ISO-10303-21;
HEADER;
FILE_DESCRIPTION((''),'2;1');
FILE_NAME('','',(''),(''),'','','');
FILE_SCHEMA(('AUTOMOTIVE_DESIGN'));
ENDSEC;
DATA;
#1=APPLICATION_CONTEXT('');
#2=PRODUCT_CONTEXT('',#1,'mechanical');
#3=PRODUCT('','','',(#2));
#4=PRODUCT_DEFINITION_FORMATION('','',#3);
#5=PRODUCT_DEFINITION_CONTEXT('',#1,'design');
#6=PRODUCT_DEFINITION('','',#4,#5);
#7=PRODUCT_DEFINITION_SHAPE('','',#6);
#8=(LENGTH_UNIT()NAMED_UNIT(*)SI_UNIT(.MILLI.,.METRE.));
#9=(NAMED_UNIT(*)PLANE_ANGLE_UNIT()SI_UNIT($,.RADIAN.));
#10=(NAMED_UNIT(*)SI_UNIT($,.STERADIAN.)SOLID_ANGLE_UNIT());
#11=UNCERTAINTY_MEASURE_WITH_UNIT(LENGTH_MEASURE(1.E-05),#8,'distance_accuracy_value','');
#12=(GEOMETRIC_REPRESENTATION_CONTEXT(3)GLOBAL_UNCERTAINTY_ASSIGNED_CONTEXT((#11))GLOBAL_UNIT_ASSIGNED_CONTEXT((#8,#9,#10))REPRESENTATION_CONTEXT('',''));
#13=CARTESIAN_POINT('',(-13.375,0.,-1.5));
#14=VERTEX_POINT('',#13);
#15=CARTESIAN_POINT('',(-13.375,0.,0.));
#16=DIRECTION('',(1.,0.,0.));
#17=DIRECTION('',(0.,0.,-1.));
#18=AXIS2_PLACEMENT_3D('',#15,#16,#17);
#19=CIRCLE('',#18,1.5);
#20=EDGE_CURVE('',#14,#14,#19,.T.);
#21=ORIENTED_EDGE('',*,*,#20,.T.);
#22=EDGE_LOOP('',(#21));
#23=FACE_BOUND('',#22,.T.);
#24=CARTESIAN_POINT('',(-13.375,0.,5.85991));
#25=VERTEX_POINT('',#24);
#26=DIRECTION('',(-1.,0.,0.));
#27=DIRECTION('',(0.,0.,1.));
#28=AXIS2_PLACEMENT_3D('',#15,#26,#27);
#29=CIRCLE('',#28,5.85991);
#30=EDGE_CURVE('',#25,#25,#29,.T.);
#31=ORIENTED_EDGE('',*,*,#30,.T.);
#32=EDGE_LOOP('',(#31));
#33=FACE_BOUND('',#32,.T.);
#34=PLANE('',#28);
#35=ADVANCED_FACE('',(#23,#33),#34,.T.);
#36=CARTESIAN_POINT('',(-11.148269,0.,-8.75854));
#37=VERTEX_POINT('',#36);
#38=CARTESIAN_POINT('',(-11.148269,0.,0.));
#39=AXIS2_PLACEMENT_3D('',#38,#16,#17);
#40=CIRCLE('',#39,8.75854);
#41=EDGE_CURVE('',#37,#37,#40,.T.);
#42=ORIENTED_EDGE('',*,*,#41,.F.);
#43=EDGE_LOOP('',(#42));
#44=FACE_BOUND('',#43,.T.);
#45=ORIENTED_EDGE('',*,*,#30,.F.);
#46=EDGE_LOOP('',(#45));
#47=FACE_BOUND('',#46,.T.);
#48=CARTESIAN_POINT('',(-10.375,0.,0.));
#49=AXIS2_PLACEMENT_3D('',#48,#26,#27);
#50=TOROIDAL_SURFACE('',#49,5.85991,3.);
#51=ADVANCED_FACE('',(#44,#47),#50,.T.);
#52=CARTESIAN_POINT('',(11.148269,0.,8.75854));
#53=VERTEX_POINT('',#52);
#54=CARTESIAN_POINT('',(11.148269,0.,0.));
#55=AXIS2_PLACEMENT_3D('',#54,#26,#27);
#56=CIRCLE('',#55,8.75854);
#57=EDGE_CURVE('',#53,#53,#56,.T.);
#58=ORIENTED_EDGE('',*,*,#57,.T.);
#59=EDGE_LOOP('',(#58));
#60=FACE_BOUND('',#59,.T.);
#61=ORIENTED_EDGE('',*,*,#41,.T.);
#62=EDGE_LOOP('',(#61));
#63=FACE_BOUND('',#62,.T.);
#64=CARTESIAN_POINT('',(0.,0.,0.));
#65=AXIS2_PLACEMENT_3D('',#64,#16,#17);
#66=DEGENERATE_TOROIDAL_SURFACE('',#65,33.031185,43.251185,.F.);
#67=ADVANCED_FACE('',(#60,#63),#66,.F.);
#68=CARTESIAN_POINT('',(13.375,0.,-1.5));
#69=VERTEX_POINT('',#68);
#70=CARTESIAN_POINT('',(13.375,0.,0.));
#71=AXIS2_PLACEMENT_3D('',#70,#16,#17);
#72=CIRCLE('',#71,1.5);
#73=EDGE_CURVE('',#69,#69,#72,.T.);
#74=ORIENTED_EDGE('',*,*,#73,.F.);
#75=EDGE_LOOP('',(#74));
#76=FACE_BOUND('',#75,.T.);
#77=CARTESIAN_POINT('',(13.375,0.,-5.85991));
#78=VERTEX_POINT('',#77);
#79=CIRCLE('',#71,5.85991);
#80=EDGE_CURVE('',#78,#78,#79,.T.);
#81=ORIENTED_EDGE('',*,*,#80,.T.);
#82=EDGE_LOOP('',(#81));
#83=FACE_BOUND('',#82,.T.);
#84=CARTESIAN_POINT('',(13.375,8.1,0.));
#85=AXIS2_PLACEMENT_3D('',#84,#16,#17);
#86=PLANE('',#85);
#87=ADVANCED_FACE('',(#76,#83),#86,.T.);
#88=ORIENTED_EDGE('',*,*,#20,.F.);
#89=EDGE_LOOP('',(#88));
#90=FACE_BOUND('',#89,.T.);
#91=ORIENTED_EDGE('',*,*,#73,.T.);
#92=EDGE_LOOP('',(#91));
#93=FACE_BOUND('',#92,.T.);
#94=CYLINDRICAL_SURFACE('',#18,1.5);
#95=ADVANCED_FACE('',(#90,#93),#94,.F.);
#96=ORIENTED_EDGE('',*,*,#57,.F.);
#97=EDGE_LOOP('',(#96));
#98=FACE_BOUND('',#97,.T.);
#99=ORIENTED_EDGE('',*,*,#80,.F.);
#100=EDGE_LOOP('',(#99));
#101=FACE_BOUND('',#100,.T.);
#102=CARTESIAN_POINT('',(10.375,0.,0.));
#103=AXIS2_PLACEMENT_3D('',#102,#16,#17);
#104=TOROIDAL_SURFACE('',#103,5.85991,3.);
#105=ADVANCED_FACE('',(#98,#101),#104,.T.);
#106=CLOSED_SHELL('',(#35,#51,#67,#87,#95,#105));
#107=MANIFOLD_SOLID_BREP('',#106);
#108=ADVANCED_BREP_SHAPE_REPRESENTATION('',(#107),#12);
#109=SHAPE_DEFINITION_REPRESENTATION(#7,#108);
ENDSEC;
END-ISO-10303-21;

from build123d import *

# Parameters (mm, degrees)
CONG_1_R                = 3
ESQUISSE2_R             = 1.5
ENL_V_MAT_EXTRU_1_DEPTH = 31.404922454


with BuildPart() as part:
    # Esquisse1 → Révolution1 (revolve)
    with BuildSketch(Plane.XY, mode=Mode.PRIVATE) as r_volution1_sk:
        with BuildLine():
            Line((-13.375, 0), (-13.375, 8.1))
            ThreePointArc((-13.375, 8.1), (0, 10.22), (13.375, 8.1))
            Line((13.375, 8.1), (13.375, 0))
            Line((13.375, 0), (-13.375, 0))
        make_face()
    revolve(r_volution1_sk.sketch.rotate(Axis((0, 0, 0), (-1, 0, 0)), 90), axis=Axis((0, 0, 0), (-1, 0, 0)))

    # Congé1
    cong_1_edges = [part.edges().sort_by_distance(p)[0] for p in [
        (-13.375, 0, 8.1),
        (13.375, 0, 8.1),
    ]]
    fillet(cong_1_edges, radius=CONG_1_R)

    # Esquisse2 → Enlèv. mat.-Extru.1 (cut, through all)
    with BuildSketch(Plane(origin=(13.375, 0, 0), x_dir=(0, 0, -1), z_dir=(1, 0, 0))):
        Circle(ESQUISSE2_R)
    extrude(amount=-ENL_V_MAT_EXTRU_1_DEPTH, mode=Mode.SUBTRACT)


solid = part.part
